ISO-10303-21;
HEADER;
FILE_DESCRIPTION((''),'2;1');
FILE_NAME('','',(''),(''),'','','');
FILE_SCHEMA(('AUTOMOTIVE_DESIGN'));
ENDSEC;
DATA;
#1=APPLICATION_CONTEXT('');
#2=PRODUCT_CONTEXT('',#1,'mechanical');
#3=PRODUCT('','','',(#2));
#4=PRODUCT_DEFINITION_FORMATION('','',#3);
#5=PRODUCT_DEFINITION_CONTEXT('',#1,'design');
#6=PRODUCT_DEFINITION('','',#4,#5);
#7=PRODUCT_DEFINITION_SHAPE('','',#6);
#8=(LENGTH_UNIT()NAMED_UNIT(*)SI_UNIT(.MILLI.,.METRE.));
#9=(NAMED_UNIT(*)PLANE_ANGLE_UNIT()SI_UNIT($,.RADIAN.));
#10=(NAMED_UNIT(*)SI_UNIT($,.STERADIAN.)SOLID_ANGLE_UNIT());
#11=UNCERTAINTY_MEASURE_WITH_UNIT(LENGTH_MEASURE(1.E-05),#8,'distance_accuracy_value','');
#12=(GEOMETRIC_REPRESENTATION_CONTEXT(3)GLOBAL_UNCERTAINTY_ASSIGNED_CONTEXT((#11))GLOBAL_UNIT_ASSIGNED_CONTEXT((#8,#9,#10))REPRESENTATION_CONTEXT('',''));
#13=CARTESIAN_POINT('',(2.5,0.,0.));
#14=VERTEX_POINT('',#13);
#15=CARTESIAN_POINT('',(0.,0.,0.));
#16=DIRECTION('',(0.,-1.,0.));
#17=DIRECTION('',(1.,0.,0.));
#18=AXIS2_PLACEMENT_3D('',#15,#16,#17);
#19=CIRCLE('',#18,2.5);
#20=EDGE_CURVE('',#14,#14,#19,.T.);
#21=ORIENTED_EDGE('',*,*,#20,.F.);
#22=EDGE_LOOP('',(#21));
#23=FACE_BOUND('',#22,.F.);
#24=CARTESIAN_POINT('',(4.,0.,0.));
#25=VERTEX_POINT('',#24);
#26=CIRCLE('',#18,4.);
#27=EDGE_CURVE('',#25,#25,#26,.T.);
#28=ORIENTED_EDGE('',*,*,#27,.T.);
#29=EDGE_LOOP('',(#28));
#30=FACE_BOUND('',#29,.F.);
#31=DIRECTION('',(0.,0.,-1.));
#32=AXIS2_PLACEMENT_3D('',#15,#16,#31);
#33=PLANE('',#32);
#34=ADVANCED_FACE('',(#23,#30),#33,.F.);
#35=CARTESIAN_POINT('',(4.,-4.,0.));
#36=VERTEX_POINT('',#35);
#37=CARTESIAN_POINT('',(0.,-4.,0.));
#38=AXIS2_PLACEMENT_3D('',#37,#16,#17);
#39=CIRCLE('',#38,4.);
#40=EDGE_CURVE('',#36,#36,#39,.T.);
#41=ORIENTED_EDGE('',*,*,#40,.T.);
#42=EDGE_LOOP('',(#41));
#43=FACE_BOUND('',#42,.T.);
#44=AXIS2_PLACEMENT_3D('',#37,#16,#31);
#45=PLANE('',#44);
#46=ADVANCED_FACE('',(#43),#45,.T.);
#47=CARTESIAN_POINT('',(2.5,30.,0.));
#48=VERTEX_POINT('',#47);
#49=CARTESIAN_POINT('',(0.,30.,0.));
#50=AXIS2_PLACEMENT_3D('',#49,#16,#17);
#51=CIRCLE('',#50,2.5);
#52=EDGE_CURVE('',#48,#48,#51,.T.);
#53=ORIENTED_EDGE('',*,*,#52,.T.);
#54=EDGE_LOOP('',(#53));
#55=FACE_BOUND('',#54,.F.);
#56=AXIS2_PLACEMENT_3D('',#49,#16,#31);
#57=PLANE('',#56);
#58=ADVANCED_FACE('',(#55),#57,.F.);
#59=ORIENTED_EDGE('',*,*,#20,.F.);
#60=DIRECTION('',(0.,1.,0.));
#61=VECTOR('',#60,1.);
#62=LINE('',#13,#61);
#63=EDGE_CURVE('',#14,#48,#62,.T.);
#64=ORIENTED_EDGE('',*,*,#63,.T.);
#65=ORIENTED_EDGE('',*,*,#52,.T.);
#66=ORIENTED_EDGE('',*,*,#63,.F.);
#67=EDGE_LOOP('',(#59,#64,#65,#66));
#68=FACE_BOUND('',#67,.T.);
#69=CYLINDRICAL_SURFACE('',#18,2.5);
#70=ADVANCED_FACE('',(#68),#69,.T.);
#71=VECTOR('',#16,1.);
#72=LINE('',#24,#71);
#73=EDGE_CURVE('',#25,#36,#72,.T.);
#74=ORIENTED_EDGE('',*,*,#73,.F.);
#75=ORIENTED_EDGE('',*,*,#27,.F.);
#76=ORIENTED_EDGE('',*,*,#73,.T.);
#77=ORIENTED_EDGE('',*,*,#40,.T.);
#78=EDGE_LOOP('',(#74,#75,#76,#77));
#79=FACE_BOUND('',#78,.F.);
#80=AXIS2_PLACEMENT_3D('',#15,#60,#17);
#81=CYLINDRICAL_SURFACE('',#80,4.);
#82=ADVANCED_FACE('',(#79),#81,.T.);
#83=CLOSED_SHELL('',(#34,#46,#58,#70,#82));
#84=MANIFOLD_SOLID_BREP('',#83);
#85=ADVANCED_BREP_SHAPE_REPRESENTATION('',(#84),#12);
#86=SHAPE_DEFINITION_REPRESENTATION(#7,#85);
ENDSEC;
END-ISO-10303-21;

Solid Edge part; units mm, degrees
sketch "Sketch1" plane through (0, 0, 0) normal (0, -1, 0) x (1, 0, 0)
  circle A0 centre (0, 0) radius 4
extrude "Protrusion1" add sketch "Sketch1" along normal blind 4
sketch "Sketch2" plane through (0, 0, 0) normal (0, -1, 0) x (1, 0, 0)
  circle A0 centre (0, 0) radius 2.5
extrude "ExtrudedProtrusion_2" add sketch "Sketch2" against normal blind 30
cosmetic_thread "Thread1" size "M5"
